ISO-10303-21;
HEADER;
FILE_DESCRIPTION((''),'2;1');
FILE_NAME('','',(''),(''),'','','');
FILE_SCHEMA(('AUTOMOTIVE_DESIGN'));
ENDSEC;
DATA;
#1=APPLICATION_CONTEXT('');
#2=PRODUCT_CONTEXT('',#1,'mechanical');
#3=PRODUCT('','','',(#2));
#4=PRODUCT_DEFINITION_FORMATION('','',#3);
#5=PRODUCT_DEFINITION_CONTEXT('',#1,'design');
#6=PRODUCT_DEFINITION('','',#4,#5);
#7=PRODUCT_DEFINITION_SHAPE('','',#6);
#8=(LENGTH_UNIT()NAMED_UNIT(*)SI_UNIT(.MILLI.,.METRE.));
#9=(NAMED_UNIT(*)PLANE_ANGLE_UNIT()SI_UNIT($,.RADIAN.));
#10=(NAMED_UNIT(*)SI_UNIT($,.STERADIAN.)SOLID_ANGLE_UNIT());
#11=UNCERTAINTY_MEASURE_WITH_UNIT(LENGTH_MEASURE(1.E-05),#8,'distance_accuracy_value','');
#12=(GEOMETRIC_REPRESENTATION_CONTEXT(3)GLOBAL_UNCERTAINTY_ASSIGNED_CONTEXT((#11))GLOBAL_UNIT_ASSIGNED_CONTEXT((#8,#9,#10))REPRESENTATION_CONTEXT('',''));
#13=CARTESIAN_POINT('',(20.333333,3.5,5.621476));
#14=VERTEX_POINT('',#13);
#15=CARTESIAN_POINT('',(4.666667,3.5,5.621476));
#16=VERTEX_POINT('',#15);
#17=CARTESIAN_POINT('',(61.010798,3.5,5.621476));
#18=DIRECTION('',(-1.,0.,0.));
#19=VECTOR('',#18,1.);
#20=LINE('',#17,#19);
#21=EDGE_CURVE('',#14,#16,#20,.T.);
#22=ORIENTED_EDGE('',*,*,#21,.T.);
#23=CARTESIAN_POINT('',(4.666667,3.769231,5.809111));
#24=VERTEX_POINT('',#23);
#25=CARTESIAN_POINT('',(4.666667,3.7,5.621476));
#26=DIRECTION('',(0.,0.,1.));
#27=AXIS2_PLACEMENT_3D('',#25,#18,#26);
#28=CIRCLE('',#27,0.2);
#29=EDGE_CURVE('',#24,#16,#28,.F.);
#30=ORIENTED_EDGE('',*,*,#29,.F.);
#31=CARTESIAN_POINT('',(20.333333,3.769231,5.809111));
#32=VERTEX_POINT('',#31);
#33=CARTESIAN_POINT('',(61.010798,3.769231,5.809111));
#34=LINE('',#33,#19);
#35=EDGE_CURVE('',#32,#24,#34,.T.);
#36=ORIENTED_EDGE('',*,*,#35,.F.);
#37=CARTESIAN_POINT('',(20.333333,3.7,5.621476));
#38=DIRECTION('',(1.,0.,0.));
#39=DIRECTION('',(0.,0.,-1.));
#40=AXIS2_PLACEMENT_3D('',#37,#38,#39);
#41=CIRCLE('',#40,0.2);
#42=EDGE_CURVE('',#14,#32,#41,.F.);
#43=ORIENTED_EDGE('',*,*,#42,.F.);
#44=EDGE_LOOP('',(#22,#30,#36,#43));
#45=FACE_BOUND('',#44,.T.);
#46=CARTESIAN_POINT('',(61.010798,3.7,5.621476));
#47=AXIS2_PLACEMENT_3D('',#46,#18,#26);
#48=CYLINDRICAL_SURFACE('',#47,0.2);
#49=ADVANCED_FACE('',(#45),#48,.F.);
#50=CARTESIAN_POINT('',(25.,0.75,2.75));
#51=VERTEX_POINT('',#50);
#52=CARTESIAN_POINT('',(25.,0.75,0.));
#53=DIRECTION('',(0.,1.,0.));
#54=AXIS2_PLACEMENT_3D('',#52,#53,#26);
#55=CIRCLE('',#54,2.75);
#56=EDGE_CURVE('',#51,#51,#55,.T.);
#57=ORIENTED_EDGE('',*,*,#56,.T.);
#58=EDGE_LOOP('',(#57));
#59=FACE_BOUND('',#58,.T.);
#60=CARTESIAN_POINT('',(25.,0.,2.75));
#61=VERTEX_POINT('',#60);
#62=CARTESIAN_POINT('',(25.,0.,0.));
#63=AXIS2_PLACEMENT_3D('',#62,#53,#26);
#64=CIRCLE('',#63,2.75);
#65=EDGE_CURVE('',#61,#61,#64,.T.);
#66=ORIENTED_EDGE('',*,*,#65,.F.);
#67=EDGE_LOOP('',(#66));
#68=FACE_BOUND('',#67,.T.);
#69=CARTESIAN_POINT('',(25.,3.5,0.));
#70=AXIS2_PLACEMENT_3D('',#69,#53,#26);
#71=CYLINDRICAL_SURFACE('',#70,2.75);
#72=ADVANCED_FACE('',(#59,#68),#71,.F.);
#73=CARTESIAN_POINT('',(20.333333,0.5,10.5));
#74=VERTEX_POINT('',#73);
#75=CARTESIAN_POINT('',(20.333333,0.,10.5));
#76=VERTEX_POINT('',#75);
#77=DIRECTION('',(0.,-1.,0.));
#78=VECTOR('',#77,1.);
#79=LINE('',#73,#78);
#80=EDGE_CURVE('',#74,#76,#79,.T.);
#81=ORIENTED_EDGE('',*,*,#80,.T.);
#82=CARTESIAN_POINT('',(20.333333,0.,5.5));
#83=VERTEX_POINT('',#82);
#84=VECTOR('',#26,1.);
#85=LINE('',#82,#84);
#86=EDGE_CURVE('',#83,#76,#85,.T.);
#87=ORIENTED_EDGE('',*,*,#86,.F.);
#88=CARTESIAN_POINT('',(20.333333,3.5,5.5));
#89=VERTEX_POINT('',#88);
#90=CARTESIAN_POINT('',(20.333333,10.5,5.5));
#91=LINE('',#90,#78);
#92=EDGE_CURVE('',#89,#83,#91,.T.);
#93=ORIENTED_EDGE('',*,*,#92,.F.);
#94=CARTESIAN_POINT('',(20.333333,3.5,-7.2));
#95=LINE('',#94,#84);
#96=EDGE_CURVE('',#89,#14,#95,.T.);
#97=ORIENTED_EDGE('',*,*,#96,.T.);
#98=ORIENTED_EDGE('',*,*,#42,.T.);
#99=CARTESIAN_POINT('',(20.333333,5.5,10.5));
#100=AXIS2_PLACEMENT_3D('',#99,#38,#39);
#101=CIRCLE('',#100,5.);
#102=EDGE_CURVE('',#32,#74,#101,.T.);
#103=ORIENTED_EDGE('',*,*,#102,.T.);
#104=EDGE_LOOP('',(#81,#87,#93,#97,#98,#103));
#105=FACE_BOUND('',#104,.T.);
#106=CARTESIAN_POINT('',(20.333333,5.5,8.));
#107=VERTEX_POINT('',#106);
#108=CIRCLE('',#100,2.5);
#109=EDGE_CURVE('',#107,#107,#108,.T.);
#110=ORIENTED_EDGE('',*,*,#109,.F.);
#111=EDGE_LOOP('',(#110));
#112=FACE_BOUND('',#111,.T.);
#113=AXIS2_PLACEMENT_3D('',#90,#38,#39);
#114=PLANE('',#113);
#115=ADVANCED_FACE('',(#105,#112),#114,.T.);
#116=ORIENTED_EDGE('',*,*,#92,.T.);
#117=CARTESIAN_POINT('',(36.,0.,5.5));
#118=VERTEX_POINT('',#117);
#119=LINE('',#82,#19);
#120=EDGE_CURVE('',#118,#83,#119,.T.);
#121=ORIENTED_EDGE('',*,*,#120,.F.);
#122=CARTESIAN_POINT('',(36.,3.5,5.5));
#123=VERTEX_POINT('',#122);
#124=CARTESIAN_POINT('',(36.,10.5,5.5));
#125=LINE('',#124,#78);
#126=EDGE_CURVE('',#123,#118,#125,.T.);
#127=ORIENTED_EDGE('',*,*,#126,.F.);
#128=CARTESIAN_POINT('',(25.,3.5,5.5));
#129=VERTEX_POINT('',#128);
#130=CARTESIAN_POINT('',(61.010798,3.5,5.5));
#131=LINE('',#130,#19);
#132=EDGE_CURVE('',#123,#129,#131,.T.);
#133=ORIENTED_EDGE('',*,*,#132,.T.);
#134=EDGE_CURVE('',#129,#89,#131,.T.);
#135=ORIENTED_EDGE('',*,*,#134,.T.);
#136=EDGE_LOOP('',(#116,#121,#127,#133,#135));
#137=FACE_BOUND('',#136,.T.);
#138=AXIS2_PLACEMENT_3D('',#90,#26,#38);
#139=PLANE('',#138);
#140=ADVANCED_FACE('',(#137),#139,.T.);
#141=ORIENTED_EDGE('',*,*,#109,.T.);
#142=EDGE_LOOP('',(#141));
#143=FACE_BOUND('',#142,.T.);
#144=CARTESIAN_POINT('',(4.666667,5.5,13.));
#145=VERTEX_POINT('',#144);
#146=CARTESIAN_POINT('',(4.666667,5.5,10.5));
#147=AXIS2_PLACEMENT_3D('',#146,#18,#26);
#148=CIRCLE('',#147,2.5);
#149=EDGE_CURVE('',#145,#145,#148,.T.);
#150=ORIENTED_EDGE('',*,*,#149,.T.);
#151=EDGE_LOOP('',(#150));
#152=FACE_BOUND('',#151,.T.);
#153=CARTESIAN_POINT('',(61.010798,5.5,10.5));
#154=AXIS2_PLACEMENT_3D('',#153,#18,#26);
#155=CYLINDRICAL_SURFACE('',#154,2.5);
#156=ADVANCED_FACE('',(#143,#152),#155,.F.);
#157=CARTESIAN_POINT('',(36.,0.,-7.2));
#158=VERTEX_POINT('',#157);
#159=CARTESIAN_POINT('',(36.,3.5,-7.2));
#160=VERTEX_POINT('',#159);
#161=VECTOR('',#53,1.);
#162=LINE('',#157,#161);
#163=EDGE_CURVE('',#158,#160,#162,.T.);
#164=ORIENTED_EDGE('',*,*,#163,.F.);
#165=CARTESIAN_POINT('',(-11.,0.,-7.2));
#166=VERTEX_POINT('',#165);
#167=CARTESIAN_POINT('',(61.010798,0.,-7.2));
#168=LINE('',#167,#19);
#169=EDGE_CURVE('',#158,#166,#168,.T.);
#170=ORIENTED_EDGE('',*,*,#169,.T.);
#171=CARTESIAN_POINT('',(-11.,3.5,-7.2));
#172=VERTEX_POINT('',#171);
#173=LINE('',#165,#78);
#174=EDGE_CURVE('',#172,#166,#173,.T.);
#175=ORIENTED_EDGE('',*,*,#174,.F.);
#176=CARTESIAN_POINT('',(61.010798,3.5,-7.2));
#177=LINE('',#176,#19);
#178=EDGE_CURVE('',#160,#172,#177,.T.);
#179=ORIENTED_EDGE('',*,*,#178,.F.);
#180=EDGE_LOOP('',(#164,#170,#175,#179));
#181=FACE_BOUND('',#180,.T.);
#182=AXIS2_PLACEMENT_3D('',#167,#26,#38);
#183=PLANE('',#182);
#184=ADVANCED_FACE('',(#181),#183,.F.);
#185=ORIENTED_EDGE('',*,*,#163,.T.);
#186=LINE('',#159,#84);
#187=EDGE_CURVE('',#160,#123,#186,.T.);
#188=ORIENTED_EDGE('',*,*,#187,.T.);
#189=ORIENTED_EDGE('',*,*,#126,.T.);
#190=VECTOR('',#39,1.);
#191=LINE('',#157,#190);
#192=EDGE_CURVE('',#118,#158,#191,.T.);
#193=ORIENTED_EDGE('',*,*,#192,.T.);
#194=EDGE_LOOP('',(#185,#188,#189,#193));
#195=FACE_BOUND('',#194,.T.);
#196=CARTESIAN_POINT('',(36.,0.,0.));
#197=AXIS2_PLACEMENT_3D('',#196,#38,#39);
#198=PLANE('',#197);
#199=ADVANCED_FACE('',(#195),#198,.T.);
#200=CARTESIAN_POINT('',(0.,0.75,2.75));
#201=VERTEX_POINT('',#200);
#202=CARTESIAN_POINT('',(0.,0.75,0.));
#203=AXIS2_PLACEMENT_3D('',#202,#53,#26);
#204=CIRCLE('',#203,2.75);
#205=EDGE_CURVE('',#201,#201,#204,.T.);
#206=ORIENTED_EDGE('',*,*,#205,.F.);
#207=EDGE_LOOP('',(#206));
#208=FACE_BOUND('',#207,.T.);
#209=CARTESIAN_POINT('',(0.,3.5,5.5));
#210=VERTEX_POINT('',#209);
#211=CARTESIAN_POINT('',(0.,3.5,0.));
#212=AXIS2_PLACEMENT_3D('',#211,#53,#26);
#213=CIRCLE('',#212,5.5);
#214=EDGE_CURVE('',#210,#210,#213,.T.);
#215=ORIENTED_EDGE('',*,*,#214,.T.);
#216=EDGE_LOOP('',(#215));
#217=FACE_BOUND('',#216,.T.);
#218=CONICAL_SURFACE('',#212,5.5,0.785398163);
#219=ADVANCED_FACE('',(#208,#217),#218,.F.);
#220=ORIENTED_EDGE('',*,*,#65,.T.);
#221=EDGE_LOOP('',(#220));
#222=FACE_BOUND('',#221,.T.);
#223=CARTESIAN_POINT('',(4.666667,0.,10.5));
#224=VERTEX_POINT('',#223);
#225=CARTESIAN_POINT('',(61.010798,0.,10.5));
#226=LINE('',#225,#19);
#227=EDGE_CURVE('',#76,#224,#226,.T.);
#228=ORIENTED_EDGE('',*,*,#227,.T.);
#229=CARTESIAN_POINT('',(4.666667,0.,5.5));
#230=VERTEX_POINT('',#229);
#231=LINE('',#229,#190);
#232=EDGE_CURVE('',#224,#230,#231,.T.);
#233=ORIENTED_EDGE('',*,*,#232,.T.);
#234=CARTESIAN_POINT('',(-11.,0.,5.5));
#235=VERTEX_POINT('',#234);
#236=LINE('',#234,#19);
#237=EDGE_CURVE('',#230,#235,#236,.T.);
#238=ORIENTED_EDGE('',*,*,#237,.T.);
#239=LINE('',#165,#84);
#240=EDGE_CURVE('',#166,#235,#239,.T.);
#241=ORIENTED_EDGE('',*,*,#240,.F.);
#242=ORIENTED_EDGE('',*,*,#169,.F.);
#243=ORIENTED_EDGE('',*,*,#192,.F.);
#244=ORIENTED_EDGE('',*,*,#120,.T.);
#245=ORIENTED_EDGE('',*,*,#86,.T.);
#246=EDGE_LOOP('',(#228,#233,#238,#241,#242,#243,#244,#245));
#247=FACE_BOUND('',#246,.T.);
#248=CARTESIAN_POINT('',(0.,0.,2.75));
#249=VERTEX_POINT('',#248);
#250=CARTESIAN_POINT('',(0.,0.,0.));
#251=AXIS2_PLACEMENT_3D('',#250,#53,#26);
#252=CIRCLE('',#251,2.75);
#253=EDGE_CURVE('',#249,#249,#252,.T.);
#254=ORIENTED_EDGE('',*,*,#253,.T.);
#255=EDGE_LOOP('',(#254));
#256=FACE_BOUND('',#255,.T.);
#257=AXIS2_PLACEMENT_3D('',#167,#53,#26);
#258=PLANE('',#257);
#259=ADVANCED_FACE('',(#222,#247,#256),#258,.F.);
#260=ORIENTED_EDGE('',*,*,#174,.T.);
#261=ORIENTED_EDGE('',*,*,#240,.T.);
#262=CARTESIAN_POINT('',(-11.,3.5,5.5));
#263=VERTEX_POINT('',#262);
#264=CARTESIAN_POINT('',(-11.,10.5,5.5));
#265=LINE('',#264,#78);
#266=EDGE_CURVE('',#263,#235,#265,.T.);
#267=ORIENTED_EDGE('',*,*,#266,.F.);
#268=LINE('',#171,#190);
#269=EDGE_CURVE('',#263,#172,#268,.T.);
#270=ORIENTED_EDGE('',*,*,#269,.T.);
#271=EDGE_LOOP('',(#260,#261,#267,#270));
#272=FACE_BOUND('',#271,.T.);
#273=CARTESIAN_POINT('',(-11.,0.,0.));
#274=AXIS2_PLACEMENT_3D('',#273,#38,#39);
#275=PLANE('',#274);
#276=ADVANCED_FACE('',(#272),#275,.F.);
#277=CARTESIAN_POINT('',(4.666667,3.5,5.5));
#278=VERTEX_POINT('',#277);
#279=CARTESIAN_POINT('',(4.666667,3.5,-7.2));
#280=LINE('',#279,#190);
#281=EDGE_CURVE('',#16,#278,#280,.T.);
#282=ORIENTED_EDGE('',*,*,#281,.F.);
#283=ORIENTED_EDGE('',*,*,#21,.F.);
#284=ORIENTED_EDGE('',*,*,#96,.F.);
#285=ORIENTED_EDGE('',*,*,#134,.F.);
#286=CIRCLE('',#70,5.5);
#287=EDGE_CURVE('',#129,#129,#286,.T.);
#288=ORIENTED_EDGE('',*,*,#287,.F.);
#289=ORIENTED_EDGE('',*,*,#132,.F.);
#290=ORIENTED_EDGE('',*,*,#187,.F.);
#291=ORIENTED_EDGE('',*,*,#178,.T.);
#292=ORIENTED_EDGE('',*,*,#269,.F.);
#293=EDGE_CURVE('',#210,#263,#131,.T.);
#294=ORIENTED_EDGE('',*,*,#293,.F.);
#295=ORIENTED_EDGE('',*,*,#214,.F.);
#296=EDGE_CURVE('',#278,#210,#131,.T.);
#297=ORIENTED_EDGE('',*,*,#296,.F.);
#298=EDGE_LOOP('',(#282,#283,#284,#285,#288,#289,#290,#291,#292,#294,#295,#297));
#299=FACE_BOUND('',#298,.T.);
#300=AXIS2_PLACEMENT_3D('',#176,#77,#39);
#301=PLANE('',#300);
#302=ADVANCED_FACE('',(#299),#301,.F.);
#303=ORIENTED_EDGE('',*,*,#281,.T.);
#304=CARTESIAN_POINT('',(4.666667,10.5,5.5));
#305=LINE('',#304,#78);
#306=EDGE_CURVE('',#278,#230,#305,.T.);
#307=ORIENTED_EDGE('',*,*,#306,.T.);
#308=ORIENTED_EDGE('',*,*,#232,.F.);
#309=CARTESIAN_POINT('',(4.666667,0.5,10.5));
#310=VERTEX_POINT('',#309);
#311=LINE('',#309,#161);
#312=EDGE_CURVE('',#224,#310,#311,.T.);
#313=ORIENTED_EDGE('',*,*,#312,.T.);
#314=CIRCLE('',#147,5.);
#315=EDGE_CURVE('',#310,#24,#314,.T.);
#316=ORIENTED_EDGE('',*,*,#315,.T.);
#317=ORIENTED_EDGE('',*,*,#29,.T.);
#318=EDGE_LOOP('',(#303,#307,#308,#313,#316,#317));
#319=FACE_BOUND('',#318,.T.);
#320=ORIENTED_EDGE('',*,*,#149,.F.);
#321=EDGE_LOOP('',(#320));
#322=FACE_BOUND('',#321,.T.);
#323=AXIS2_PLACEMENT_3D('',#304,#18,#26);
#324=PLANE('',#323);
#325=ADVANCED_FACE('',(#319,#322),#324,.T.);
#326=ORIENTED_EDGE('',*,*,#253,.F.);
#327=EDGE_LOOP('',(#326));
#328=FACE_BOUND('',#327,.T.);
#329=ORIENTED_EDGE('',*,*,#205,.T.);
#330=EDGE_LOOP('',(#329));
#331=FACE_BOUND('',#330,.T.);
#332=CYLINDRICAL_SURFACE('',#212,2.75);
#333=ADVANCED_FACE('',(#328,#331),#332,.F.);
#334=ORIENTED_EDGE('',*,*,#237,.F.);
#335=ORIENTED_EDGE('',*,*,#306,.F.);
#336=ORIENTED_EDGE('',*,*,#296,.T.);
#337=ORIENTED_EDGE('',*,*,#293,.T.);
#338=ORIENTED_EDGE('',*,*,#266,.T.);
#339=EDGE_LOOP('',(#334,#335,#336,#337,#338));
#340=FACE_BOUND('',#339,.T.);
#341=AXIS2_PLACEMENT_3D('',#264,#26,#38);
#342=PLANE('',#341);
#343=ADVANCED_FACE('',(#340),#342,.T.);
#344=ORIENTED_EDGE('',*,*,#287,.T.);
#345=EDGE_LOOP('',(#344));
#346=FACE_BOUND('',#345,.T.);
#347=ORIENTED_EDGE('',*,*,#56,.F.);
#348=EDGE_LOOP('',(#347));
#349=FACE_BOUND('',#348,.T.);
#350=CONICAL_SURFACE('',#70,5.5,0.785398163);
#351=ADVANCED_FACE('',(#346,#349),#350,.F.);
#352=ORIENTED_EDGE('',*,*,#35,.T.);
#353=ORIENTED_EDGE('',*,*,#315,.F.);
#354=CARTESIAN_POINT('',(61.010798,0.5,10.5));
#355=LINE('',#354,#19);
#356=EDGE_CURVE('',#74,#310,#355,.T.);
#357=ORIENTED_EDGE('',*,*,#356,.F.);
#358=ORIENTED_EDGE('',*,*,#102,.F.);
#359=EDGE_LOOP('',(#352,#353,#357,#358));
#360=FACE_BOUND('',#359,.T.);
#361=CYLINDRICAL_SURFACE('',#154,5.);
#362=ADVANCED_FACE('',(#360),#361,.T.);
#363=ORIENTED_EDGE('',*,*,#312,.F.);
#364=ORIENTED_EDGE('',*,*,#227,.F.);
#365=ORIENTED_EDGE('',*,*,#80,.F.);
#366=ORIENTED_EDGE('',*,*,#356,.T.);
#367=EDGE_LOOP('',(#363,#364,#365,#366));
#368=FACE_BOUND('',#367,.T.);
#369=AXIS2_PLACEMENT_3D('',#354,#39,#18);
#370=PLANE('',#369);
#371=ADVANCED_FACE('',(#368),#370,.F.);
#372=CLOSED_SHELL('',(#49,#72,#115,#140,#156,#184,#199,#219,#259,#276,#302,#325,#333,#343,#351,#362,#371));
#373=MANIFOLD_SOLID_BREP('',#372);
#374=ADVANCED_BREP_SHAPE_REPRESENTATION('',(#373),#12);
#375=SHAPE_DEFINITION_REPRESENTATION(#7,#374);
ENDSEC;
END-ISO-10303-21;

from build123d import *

# Parameters (mm, degrees)
SKETCH1_R                = 2.5
BOSS_EXTRUDE1_DEPTH      = 36
BOSS_EXTRUDE1_DEPTH_BACK = 11
CSK1_AT_2_COUNT          = 2
CSK1_AT_2_PITCH          = 25
SKETCH4_W                = 15.666666667
SKETCH4_H                = 10
CUT_EXTRUDE1_DEPTH       = 11.5


with BuildPart() as part:
    # Sketch1 → Boss-Extrude1 (new body, two sides)
    with BuildSketch(Plane(origin=(0, 0, 0), x_dir=(0, 0, -1), z_dir=(1, 0, 0))) as boss_extrude1_sk:
        with BuildLine():
            Line((-10.5, 0.5), (-10.5, 0))
            Line((-10.5, 0), (7.2, 0))
            Line((7.2, 0), (7.2, 3.5))
            Line((7.2, 3.5), (-5.621475633, 3.5))
            ThreePointArc((-5.621475633, 3.5), (-5.785558164, 3.585645625), (-5.809111186, 3.769230769))
            ThreePointArc((-5.809111186, 3.769230769), (-13.358859374, 9.602063271), (-10.5, 0.5))
        make_face()
        with Locations((-10.5, 5.5)):
            Circle(SKETCH1_R, mode=Mode.SUBTRACT)
    extrude(amount=BOSS_EXTRUDE1_DEPTH)
    extrude(boss_extrude1_sk.sketch, amount=-BOSS_EXTRUDE1_DEPTH_BACK)

    # Sketch2 → CSK1 (revolve, cut)
    with BuildSketch(Plane(origin=(0, 3.5, 0), x_dir=(0, 0, 1), z_dir=(1, 0, 0))):
        Polygon((0, 0), (0, 3.5), (2.75, 3.5), (2.75, 2.75), (5.5, 0), align=None)
    csk1 = revolve(axis=Axis((0, 9.85, 0), (0, -1, 0)), mode=Mode.SUBTRACT)

    # CSK1 at 2: CSK1 ×2
    with Locations(*[(i * CSK1_AT_2_PITCH, 0, 0) for i in range(1, CSK1_AT_2_COUNT)]):
        add(csk1, mode=Mode.SUBTRACT)

    # Sketch4 → Cut-Extrude1 (cut, through all)
    with BuildSketch(Plane(origin=(0, 0, 0), x_dir=(1, 0, 0), z_dir=(0, 1, 0))):
        with Locations((-3.166666666, -10.5)):
            Rectangle(SKETCH4_W, SKETCH4_H)
        with Locations((28.166666666, -10.5)):
            Rectangle(SKETCH4_W, SKETCH4_H)
    extrude(amount=CUT_EXTRUDE1_DEPTH, mode=Mode.SUBTRACT)


solid = part.part
